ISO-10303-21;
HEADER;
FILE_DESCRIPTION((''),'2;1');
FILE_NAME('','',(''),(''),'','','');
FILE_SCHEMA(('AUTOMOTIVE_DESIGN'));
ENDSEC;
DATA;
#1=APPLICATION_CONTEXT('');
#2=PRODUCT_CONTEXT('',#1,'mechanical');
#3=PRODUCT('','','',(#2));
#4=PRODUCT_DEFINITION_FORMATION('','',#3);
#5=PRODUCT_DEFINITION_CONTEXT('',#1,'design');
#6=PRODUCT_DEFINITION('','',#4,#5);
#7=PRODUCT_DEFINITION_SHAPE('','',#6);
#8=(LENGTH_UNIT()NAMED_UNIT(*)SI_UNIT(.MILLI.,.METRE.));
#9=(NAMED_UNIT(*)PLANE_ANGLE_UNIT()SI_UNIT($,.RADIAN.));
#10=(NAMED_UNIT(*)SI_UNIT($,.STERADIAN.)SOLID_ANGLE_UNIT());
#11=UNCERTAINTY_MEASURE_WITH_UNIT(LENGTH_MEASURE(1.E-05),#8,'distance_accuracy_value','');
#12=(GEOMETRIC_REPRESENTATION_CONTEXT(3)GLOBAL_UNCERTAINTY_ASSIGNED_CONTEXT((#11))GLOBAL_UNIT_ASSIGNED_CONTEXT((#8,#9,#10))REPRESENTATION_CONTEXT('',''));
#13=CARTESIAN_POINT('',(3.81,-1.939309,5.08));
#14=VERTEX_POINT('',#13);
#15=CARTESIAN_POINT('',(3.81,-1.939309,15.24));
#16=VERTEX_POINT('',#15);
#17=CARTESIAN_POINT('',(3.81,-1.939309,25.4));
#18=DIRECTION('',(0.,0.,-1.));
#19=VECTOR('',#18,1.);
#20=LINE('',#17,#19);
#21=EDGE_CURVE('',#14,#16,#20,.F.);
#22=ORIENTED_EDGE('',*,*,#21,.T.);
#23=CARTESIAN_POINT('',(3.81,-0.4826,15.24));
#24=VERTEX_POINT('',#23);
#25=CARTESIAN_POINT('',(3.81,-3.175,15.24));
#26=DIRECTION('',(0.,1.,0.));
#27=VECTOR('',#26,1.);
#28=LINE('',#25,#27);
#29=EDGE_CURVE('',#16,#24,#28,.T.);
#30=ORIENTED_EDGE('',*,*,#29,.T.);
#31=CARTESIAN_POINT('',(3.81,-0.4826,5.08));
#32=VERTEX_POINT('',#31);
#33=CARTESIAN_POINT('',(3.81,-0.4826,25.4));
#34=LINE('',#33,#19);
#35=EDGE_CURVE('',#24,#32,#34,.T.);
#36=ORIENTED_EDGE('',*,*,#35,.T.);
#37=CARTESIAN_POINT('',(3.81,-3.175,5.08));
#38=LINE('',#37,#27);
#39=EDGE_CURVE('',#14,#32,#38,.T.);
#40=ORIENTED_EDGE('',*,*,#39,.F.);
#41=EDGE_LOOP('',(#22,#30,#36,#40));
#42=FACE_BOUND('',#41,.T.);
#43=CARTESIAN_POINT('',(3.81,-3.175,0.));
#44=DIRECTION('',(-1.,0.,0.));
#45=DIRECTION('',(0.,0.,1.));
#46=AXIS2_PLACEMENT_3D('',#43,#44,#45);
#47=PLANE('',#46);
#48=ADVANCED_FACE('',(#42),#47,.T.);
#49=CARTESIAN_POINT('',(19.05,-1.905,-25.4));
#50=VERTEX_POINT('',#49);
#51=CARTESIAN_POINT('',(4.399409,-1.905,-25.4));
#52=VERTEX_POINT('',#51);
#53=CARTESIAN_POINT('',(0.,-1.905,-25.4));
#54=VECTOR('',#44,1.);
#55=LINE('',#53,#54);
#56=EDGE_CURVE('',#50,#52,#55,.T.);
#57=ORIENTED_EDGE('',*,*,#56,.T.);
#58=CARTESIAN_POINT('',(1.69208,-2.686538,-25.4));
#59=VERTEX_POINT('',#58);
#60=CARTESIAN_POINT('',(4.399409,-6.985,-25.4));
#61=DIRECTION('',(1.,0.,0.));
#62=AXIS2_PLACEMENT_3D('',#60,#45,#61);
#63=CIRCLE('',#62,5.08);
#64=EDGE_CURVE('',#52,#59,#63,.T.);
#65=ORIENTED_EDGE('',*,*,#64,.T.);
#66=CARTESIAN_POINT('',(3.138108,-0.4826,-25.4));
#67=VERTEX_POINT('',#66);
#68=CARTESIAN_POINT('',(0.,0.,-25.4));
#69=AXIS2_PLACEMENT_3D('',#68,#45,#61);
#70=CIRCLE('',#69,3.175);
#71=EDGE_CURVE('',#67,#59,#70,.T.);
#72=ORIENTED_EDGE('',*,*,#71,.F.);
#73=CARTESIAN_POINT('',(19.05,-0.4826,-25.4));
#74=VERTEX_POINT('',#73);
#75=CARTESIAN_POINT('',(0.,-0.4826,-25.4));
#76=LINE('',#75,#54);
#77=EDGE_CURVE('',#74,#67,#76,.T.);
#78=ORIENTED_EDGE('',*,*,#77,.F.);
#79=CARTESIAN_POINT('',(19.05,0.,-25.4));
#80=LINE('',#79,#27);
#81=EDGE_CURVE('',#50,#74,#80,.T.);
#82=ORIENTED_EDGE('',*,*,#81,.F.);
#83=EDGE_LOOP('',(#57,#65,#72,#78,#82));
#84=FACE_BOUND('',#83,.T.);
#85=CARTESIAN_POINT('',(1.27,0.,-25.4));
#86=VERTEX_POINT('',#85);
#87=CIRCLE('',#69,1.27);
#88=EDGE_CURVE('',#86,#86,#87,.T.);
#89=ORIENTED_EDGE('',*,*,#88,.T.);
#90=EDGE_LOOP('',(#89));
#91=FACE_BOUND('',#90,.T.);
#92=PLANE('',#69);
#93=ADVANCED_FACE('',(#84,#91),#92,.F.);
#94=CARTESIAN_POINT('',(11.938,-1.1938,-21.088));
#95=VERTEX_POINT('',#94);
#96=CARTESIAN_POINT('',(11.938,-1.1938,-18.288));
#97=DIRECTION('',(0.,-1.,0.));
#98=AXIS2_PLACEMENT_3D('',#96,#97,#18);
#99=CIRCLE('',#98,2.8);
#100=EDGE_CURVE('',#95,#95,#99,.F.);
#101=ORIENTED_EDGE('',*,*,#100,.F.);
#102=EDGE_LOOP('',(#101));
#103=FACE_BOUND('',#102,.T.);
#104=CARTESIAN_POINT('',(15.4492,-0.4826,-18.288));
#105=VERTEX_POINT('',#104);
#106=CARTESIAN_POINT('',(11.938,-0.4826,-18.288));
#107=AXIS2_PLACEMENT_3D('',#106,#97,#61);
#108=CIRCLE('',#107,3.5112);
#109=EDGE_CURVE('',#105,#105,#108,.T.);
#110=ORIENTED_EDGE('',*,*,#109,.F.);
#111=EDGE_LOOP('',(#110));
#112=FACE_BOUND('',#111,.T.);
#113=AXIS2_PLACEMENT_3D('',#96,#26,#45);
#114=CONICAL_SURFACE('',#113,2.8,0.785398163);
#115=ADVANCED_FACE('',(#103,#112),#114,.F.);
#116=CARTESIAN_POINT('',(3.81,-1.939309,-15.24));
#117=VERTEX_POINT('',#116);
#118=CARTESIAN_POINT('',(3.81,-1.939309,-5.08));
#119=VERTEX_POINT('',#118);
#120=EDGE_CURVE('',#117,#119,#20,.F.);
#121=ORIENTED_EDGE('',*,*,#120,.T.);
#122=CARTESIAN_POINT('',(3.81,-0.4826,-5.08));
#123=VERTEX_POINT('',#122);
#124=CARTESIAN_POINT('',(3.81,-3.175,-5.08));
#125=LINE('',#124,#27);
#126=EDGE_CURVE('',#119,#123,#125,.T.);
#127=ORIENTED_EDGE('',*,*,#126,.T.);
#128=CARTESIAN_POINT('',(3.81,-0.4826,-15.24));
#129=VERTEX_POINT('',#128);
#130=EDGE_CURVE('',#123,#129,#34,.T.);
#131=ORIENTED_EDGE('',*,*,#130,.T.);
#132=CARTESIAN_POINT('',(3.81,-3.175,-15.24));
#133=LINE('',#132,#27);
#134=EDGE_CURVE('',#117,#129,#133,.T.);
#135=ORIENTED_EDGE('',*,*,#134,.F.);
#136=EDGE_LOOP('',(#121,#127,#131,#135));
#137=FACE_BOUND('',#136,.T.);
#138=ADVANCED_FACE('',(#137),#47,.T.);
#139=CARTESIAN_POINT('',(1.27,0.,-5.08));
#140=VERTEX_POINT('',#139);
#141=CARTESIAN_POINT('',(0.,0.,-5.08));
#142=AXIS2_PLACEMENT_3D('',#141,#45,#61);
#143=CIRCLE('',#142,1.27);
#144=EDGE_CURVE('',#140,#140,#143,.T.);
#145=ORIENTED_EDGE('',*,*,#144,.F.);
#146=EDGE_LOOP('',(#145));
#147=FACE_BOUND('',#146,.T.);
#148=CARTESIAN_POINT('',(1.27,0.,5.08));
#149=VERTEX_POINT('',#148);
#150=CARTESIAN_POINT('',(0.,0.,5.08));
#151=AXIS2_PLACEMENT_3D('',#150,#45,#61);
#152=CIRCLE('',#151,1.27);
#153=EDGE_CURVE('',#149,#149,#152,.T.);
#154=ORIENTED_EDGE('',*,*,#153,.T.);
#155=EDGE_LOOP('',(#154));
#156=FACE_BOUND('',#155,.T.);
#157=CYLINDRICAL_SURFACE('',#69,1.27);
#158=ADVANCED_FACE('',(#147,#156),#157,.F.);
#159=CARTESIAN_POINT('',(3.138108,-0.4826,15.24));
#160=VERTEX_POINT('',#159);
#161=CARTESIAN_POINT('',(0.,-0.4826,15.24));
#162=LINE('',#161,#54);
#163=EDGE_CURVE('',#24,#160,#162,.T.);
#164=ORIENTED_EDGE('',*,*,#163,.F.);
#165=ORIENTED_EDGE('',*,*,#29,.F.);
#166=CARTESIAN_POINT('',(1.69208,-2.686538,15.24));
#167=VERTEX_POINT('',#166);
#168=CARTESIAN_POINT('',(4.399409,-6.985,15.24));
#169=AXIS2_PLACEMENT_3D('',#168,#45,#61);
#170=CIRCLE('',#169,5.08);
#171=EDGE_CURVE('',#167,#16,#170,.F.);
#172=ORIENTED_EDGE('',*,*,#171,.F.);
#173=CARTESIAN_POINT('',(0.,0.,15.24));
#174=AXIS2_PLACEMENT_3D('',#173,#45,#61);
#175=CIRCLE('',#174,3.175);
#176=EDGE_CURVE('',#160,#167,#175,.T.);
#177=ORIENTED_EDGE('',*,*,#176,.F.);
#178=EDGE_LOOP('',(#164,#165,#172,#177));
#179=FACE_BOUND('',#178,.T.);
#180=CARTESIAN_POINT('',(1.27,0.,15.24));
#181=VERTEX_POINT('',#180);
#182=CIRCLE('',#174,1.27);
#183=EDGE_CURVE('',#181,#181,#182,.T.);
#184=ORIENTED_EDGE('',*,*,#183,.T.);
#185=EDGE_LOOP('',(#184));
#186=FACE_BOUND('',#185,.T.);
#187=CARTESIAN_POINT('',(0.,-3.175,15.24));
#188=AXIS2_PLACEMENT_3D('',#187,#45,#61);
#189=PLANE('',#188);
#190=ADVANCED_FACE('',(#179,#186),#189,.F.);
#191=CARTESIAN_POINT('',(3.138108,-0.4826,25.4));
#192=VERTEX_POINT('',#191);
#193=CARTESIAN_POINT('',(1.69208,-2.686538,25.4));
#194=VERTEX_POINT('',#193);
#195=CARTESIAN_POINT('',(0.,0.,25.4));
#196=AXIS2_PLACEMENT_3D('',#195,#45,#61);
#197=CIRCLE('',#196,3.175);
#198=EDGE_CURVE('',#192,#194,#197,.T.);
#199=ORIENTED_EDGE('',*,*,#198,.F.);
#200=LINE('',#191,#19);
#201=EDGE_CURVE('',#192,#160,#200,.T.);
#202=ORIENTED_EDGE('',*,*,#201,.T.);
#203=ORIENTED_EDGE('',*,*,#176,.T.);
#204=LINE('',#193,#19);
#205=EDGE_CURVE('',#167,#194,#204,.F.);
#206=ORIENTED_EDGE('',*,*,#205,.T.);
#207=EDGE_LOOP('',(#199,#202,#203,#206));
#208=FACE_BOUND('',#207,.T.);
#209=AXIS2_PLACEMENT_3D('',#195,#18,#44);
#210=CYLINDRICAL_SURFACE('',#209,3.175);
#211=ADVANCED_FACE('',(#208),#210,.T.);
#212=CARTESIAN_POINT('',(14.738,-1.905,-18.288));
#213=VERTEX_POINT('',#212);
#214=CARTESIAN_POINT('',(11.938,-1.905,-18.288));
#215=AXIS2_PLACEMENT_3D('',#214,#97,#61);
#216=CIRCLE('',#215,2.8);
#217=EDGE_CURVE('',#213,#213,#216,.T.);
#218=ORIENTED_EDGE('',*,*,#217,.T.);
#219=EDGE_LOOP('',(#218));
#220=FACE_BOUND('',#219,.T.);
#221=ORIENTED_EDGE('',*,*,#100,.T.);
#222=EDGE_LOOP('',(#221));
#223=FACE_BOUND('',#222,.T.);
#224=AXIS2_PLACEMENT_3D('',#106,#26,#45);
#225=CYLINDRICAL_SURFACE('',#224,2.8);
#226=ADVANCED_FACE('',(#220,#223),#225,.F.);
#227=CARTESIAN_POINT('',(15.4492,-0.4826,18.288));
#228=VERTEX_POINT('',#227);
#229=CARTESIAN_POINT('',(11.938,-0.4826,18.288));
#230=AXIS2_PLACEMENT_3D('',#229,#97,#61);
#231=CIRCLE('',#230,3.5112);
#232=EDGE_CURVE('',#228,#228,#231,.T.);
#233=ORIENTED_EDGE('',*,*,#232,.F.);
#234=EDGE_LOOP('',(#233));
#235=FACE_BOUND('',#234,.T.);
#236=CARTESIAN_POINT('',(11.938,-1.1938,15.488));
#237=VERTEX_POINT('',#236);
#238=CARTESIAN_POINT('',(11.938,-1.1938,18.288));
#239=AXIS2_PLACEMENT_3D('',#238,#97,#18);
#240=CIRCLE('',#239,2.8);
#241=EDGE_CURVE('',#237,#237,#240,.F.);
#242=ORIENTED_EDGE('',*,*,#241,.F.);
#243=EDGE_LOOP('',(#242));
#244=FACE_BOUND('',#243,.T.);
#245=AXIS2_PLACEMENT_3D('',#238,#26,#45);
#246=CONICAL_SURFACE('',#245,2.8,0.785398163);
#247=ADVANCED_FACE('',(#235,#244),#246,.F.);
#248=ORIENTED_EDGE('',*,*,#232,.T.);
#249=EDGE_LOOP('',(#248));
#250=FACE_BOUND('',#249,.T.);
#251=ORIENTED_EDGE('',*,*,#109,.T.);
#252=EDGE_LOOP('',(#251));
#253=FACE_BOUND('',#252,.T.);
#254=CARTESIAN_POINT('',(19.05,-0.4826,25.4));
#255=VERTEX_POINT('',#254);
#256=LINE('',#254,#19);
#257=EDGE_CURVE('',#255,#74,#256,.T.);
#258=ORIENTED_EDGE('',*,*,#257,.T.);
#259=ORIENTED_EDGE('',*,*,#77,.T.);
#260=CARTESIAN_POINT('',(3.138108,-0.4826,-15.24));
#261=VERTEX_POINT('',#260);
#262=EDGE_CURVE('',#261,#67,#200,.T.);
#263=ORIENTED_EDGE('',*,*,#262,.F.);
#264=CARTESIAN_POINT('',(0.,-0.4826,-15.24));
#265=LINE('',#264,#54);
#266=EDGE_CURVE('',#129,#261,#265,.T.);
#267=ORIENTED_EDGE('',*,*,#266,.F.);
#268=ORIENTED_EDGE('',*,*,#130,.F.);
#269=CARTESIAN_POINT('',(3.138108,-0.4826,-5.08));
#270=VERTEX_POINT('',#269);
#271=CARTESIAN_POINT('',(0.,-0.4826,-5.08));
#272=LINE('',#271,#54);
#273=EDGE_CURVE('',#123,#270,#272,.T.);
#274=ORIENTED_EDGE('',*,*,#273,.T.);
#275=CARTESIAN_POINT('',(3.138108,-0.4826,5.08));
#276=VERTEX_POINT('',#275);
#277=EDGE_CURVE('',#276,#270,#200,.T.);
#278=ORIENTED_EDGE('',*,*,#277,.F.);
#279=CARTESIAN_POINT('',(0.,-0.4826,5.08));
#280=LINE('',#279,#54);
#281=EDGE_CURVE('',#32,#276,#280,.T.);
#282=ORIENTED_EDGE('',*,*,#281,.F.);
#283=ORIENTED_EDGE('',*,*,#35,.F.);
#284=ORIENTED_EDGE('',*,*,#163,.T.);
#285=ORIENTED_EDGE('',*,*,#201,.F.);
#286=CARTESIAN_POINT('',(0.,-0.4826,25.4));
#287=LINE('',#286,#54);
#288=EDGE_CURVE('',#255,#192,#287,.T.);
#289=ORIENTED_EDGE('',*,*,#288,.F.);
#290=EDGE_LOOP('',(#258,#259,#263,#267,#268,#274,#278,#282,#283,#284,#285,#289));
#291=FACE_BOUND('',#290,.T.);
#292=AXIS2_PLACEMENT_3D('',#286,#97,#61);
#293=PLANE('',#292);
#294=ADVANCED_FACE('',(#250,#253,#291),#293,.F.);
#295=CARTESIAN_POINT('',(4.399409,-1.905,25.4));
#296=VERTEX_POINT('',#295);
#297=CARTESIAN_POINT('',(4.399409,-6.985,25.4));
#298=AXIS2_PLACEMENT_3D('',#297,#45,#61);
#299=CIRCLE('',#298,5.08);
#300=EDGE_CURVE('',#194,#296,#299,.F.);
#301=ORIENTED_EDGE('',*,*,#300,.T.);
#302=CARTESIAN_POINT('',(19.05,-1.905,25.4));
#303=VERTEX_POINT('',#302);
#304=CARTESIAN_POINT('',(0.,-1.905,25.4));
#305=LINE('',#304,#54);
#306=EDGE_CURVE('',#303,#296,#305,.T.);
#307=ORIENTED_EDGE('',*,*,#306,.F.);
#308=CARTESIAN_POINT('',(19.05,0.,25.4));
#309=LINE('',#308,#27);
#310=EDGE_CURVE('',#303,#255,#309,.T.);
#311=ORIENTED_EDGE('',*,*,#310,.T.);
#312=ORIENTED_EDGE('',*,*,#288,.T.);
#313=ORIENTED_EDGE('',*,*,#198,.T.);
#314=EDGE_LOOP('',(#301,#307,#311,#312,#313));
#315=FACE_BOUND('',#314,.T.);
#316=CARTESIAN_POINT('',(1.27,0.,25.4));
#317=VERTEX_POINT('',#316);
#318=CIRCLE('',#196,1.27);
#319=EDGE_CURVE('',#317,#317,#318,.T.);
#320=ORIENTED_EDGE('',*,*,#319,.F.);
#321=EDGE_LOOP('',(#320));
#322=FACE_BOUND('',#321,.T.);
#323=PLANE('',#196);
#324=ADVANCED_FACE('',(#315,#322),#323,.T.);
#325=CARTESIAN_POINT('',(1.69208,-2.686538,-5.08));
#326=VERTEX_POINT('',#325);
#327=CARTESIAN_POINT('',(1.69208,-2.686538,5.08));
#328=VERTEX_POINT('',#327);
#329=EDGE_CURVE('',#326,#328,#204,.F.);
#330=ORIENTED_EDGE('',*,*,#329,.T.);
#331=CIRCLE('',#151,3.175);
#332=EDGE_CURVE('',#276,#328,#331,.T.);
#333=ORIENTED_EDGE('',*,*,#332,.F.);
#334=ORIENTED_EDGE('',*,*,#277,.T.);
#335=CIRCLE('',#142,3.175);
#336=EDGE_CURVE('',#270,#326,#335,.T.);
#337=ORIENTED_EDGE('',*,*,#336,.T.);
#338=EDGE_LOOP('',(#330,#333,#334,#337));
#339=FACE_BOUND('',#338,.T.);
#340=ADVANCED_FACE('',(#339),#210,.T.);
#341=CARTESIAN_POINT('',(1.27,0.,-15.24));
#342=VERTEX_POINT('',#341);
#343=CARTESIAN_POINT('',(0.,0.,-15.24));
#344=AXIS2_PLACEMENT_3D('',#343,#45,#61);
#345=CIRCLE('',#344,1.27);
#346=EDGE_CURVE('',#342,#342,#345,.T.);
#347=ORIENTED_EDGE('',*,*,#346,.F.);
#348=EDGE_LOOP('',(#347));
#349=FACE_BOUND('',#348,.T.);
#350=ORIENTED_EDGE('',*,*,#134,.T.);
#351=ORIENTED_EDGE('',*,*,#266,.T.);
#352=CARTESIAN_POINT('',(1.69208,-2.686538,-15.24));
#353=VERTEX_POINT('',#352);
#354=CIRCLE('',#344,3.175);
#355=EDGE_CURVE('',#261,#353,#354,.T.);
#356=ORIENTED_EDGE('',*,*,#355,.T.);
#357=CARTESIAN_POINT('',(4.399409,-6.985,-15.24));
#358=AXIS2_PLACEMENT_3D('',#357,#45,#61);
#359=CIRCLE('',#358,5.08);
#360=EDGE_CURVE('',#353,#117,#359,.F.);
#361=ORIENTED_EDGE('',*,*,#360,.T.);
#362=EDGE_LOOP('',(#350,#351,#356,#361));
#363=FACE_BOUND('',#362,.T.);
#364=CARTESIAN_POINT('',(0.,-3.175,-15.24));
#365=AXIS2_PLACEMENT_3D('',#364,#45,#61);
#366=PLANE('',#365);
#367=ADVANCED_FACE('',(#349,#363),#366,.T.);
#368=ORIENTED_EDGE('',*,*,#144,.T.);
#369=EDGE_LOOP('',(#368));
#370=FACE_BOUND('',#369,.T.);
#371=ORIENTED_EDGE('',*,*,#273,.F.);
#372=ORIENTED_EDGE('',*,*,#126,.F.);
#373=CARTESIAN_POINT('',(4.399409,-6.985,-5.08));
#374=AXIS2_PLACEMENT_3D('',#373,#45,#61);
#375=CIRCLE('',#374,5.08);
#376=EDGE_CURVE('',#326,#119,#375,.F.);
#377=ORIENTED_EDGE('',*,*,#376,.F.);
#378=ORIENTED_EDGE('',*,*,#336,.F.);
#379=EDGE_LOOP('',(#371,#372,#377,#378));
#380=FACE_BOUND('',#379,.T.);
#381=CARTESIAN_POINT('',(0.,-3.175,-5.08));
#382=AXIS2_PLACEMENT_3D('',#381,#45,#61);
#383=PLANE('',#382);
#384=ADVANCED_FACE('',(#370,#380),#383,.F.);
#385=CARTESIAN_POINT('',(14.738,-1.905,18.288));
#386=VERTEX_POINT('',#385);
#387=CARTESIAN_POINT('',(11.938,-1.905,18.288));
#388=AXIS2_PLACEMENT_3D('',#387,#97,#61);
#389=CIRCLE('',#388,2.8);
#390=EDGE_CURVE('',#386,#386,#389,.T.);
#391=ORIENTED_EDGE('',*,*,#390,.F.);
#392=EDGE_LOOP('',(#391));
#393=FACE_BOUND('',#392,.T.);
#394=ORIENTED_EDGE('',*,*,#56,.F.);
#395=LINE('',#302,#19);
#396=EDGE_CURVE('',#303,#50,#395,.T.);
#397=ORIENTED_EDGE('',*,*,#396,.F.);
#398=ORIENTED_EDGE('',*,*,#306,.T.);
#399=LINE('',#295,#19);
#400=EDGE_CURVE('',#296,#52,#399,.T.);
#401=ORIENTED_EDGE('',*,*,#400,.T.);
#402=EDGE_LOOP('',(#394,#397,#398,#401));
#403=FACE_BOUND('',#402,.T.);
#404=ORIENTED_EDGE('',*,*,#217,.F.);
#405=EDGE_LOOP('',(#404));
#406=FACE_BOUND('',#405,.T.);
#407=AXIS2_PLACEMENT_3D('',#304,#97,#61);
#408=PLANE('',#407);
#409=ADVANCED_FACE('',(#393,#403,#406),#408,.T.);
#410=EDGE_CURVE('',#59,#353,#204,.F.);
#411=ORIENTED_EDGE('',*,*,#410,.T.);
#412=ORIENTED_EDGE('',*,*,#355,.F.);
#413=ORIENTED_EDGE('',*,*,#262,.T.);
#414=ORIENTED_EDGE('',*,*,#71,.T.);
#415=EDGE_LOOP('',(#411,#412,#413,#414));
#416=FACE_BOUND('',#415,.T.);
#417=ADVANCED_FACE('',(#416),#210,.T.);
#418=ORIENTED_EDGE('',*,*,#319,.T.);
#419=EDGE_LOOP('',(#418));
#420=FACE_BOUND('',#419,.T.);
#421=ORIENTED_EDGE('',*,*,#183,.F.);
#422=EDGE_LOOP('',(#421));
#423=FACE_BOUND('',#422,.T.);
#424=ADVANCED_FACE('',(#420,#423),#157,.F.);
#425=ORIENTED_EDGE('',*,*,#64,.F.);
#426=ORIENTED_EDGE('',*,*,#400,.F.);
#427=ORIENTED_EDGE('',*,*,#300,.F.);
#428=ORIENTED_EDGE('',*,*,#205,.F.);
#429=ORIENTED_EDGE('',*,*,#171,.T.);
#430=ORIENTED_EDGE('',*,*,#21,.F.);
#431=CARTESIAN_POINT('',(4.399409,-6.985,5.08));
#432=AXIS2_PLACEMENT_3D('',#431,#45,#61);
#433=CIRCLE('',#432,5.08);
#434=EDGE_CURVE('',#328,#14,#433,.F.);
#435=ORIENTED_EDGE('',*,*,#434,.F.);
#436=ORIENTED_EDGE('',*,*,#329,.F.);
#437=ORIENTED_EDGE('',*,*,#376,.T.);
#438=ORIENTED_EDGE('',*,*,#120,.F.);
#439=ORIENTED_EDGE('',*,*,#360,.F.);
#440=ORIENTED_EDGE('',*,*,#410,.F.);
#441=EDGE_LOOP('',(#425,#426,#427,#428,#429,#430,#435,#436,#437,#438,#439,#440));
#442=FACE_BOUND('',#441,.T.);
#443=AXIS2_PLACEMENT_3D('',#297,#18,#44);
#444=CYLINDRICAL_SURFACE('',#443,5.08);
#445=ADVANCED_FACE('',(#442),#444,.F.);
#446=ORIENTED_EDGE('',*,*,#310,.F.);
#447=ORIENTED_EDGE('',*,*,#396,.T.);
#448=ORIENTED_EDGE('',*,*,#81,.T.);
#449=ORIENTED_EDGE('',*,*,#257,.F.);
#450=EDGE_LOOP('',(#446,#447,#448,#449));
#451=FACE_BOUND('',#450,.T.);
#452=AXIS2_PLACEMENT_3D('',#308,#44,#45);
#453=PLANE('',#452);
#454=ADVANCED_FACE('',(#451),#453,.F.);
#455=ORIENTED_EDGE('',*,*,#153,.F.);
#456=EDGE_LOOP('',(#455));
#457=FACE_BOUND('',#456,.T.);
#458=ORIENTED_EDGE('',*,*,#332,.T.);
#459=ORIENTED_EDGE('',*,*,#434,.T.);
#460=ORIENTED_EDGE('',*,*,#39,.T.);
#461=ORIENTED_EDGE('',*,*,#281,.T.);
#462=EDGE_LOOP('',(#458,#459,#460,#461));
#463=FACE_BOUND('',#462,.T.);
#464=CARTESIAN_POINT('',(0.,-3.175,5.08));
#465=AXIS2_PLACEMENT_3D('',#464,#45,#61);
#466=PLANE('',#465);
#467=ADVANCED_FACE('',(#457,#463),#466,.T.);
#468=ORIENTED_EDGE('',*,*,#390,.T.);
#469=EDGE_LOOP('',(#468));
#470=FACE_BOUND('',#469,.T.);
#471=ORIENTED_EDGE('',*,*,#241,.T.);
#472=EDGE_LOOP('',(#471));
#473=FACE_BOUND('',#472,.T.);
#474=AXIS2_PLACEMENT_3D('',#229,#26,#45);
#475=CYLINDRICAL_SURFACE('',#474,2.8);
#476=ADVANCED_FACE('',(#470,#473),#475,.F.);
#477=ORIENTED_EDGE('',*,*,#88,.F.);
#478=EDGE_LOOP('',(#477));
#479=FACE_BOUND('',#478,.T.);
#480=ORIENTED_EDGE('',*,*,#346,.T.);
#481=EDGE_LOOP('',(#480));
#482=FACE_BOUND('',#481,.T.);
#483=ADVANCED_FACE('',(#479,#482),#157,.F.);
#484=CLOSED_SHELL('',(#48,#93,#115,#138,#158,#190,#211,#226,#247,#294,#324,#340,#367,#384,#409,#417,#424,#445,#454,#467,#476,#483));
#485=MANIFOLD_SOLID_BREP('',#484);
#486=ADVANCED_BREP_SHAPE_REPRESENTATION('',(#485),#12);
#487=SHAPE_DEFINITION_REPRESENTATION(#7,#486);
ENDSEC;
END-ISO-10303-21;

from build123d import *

# Parameters (mm, degrees)
SKETCH4_R               = 3.175
BOSS_EXTRUDE2_DEPTH     = 25.4
FILLET1_R               = 5.08
M5_CLEARANCE_HOLE1_D    = 5.6
CUT_EXTRUDE1_DEPTH      = 32.908355123
CUT_EXTRUDE1_DEPTH_BACK = 32.908355123
SKETCH9_W               = 6.985
SKETCH9_H               = 10.16
SKETCH10_R              = 1.27
CUT_EXTRUDE2_DEPTH      = 55.347245805
CHAMFER1_SIZE           = 0.7112


with BuildPart() as part:
    # Sketch4 → Boss-Extrude2 (new, symmetric)
    with BuildSketch(Plane.XY):
        Circle(SKETCH4_R)
        with BuildLine():
            Line((19.050000043, -1.905), (19.050000043, -0.4826))
            Line((19.050000043, -0.4826), (3.138108067, -0.4826))
            ThreePointArc((3.138108067, -0.4826), (2.926778646, -1.230687513), (2.54, -1.905))
            Line((2.54, -1.905), (19.050000043, -1.905))
        make_face()
    extrude(amount=BOSS_EXTRUDE2_DEPTH, both=True)

    # Fillet1
    fillet1_edges = [part.edges().sort_by_distance(p)[0] for p in [
        (2.54, -1.905, 0),
    ]]
    fillet(fillet1_edges, radius=FILLET1_R)

    # M5 Clearance Hole1 (through all)
    with Locations(Plane(origin=(0, -0.4826, 0), x_dir=(1, 0, 0), z_dir=(0, 1, 0))):
        with Locations((11.938000043, 18.288), (11.938000043, -18.288)):
            Hole(M5_CLEARANCE_HOLE1_D / 2)

    # Sketch9 → Cut-Extrude1 (cut, two sides: drawn at the far end of the back side and taken through both)
    with BuildSketch(Plane(origin=(0, 0, 0), x_dir=(1, 0, 0), z_dir=(0, 1, 0)).offset(-CUT_EXTRUDE1_DEPTH_BACK)):
        with Locations((0.3175, 10.16)):
            Rectangle(SKETCH9_W, SKETCH9_H)
        with Locations((0.3175, -10.16)):
            Rectangle(SKETCH9_W, SKETCH9_H)
    extrude(amount=CUT_EXTRUDE1_DEPTH + CUT_EXTRUDE1_DEPTH_BACK, mode=Mode.SUBTRACT)

    # Sketch10 → Cut-Extrude2 (cut, through all)
    with BuildSketch(Plane.XY.offset(25.4)):
        Circle(SKETCH10_R)
    extrude(amount=-CUT_EXTRUDE2_DEPTH, mode=Mode.SUBTRACT)

    # Chamfer1
    chamfer1_edges = [part.edges().sort_by_distance(p)[0] for p in [
        (14.738000043, -0.4826, 18.288),
        (14.738000043, -0.4826, -18.288),
    ]]
    chamfer(chamfer1_edges, length=CHAMFER1_SIZE)


solid = part.part
